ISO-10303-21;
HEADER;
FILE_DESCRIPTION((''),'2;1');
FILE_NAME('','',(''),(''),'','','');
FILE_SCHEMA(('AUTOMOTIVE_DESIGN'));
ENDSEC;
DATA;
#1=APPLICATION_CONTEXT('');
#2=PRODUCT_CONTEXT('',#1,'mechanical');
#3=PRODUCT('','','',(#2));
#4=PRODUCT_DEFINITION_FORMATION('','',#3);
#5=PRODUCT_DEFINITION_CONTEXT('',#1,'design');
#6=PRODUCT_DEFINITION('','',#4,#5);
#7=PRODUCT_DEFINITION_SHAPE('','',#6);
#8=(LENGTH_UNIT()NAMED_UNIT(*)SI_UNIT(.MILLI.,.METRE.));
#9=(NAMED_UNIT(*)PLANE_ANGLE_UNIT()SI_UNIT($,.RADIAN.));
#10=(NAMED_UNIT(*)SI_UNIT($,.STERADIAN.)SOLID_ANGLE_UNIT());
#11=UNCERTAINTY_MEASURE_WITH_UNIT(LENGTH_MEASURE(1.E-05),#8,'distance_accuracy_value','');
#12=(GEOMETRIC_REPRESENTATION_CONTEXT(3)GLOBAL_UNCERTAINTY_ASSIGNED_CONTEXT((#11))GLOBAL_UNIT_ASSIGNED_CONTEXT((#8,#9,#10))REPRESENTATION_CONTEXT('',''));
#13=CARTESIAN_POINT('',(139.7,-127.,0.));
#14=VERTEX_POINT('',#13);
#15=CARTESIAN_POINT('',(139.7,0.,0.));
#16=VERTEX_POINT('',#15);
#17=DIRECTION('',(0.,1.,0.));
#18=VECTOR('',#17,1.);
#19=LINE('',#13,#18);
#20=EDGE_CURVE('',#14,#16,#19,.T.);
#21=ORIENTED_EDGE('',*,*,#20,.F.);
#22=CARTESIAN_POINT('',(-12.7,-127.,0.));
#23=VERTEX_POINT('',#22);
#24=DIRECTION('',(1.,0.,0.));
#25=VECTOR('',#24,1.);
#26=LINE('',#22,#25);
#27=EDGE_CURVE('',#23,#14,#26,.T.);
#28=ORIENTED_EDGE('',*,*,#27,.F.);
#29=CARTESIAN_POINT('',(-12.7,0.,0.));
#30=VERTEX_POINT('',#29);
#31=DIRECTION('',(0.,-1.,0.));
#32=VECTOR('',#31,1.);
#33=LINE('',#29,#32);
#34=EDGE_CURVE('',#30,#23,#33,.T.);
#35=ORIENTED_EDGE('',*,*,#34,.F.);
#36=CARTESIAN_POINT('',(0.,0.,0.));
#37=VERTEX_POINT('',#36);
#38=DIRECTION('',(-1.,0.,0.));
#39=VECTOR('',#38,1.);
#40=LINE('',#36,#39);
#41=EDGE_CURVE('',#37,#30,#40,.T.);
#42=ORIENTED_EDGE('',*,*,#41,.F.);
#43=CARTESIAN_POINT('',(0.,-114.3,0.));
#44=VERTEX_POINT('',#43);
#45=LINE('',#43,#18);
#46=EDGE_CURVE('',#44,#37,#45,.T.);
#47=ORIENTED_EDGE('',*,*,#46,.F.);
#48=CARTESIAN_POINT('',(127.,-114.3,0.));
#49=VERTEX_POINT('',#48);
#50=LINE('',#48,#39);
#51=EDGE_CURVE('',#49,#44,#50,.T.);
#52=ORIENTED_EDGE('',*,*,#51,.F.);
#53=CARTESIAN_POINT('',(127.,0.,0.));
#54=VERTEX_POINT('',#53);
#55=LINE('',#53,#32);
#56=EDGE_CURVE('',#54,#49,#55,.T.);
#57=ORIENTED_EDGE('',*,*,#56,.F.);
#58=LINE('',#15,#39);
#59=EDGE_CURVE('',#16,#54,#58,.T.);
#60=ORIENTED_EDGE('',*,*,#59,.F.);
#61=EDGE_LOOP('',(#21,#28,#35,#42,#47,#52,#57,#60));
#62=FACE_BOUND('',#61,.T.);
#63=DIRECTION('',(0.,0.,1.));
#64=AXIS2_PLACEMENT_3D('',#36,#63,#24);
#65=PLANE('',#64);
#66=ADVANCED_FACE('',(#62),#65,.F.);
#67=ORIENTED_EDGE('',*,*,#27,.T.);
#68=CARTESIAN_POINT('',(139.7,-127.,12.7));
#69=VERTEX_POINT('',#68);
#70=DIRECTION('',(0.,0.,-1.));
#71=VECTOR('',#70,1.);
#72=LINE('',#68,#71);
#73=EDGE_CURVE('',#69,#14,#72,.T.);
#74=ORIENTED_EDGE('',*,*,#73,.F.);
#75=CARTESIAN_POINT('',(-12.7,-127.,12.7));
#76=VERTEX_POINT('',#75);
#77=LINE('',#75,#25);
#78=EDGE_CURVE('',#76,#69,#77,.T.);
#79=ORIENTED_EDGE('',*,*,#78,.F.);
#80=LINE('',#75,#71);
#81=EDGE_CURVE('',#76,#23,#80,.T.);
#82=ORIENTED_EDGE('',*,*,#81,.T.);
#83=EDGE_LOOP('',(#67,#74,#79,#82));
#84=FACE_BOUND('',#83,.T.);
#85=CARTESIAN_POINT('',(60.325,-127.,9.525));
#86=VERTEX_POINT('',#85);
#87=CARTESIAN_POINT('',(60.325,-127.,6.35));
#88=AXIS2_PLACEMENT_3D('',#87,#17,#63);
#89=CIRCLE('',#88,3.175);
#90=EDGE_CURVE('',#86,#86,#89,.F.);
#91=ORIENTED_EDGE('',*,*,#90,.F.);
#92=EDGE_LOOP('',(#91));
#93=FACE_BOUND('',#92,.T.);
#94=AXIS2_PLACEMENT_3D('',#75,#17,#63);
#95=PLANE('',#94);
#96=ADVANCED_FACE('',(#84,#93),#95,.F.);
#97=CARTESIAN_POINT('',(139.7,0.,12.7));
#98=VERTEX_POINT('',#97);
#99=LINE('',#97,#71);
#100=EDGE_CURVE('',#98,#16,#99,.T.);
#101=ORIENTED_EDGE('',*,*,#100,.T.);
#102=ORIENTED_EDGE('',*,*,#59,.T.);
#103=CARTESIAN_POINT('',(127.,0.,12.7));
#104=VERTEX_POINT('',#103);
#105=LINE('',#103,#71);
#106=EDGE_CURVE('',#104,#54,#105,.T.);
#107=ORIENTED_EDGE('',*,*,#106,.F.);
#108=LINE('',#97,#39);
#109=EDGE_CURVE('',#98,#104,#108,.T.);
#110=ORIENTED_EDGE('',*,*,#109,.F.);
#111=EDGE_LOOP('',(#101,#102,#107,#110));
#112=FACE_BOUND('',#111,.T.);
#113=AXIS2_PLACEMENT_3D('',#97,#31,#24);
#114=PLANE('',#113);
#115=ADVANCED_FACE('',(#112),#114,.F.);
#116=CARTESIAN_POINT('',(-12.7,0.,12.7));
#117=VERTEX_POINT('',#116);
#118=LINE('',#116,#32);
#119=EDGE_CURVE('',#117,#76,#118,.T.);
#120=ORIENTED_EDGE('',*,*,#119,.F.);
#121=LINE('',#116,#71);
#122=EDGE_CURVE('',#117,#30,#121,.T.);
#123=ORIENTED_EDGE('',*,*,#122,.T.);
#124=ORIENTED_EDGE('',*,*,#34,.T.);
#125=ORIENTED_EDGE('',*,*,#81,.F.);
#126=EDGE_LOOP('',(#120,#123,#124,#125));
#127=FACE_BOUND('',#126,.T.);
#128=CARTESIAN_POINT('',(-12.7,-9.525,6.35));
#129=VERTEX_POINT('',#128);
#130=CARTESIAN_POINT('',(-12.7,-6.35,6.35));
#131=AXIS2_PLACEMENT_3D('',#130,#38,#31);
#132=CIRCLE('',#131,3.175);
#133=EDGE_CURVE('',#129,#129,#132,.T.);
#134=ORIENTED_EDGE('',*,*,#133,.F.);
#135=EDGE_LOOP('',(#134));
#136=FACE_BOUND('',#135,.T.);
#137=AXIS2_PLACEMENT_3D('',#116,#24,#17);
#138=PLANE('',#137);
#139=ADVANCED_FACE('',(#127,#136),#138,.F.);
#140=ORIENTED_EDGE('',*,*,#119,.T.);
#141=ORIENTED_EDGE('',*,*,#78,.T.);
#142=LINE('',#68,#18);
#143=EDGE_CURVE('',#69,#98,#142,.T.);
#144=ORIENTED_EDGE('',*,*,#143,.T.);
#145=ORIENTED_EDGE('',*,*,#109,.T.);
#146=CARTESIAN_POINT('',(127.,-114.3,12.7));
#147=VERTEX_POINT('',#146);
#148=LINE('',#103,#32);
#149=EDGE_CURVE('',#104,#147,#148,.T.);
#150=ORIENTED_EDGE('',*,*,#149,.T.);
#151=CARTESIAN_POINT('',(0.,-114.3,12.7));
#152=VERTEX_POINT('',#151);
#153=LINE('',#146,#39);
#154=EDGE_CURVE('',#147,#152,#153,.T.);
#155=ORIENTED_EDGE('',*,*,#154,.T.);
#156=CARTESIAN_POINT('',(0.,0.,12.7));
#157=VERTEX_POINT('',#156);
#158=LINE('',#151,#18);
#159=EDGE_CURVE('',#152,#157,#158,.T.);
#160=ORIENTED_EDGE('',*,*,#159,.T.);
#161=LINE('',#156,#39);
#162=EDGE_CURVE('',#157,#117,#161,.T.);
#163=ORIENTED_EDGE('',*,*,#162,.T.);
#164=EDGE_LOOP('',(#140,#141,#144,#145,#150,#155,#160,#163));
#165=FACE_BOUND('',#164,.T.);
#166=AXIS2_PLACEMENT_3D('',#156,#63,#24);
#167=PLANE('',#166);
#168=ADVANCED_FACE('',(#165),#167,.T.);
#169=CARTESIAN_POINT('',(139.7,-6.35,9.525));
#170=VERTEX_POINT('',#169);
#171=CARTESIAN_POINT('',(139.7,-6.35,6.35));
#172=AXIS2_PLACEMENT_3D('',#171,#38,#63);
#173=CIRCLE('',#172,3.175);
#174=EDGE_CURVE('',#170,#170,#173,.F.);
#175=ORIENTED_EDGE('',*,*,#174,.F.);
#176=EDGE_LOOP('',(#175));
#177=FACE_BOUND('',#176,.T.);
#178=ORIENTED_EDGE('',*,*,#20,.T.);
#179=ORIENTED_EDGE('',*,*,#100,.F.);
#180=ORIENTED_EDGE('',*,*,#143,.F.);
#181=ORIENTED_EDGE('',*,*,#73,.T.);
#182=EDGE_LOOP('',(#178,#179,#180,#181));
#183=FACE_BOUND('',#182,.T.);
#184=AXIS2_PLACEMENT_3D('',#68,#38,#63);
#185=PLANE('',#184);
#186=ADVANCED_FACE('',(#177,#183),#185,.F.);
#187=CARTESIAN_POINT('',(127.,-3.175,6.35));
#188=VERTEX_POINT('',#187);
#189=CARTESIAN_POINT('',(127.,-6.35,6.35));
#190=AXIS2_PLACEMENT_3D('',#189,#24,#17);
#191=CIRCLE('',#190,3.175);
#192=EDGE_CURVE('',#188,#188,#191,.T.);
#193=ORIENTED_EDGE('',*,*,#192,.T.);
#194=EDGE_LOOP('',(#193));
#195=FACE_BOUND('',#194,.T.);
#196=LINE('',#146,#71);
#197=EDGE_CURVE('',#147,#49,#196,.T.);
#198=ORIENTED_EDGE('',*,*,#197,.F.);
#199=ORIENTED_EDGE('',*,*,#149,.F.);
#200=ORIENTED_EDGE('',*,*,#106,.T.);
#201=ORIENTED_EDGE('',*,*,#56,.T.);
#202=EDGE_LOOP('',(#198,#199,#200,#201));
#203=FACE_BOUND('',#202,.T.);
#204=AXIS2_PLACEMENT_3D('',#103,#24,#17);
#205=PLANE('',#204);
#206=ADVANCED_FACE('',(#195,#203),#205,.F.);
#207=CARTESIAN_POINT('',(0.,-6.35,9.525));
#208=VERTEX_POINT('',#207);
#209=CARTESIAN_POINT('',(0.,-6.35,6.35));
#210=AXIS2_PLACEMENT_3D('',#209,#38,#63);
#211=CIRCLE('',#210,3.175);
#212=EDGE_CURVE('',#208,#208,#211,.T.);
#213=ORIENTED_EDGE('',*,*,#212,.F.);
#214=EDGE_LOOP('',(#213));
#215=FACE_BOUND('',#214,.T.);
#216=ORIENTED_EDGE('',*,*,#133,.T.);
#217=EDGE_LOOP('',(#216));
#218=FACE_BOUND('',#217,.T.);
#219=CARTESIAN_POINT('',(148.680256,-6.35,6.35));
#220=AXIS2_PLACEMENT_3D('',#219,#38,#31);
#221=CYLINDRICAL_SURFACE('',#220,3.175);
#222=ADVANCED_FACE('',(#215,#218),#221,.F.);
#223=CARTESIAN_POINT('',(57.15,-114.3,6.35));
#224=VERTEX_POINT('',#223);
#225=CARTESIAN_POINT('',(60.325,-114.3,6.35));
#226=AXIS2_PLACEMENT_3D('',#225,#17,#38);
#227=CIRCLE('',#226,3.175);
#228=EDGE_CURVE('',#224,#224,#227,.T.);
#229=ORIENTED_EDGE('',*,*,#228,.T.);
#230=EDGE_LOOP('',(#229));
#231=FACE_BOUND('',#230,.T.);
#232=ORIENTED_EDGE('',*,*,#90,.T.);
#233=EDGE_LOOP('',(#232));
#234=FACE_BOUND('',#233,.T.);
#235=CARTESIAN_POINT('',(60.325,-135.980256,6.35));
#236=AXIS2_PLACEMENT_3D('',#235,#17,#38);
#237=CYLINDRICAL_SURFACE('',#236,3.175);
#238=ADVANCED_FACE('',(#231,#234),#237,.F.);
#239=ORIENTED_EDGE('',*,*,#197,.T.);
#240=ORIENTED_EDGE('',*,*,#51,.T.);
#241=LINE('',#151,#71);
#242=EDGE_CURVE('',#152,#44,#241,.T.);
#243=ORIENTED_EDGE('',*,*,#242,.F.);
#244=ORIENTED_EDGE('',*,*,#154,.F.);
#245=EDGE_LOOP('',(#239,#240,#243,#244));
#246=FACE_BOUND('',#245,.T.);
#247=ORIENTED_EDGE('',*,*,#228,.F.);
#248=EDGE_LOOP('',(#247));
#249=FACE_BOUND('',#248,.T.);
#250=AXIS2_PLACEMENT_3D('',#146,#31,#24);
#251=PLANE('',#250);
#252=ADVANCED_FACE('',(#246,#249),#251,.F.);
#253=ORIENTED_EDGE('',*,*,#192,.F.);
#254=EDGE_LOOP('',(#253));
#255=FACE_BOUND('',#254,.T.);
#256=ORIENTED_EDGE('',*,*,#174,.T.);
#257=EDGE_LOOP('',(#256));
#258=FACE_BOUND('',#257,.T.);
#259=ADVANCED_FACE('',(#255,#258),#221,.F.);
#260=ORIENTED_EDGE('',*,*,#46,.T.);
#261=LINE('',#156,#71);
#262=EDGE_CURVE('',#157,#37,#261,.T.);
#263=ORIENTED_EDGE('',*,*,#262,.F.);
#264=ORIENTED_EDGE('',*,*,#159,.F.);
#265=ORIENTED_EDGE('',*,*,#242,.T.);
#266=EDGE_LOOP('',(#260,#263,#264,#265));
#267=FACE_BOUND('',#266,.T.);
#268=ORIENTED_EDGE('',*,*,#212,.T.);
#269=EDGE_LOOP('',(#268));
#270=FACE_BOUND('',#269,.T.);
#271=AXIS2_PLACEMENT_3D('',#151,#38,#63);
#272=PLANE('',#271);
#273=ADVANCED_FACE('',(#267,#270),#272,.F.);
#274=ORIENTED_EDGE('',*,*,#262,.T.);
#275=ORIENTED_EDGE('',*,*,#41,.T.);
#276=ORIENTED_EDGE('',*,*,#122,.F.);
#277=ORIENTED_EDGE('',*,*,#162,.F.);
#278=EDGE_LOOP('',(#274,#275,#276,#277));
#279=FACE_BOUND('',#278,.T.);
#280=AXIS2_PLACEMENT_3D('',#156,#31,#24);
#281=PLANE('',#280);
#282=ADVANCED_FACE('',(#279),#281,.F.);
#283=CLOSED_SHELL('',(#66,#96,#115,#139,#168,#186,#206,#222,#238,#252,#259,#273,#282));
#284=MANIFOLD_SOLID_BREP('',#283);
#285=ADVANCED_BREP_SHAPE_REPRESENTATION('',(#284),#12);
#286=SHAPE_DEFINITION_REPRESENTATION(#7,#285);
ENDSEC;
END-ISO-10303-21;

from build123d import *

# Parameters (mm, degrees)
BOSS_EXTRUDE1_DEPTH = 12.7
CUT_EXTRUDE1_REACH  = 200.786
SKETCH2_R           = 3.175
SKETCH3_R           = 3.175
CUT_EXTRUDE2_DEPTH  = 12.7


with BuildPart() as part:
    # Sketch1 → Boss-Extrude1 (new body)
    with BuildSketch(Plane.XY):
        Polygon((0, 0), (-12.7, 0), (-12.7, -127), (139.7, -127), (139.7, 0), (127, 0), (127, -114.3), (0, -114.3), align=None)
    extrude(amount=BOSS_EXTRUDE1_DEPTH)

    # Cut-Extrude1: up to this face of the body (flat: up to its plane)
    cut_extrude1_end = Plane(part.part.faces().sort_by_distance((139.7, -63.5, 6.35))[0])
    # Sketch2 → Cut-Extrude1 (cut, up to the picked face)
    with BuildSketch(Plane.ZY.offset(12.7), mode=Mode.PRIVATE) as cut_extrude1_sk1:
        with Locations(Location((6.35, -6.35, 0), (0, 0, 270))):
            Circle(SKETCH2_R)
    cut_extrude1_tool1 = split(extrude(cut_extrude1_sk1.sketch, amount=-CUT_EXTRUDE1_REACH, mode=Mode.PRIVATE), bisect_by=cut_extrude1_end, keep=Keep.BOTH, mode=Mode.PRIVATE)
    add(cut_extrude1_tool1.solids().sort_by(Axis((-12.7, -6.35, 6.35), (1, 0, 0)))[0], mode=Mode.SUBTRACT)

    # Sketch3 → Cut-Extrude2 (cut)
    with BuildSketch(Plane(origin=(0, -114.3, 0), x_dir=(1, 0, 0), z_dir=(0, 1, 0))):
        with Locations(Location((60.325, -6.35, 0), (0, 0, 180))):
            Circle(SKETCH3_R)
    extrude(amount=-CUT_EXTRUDE2_DEPTH, mode=Mode.SUBTRACT)


solid = part.part
